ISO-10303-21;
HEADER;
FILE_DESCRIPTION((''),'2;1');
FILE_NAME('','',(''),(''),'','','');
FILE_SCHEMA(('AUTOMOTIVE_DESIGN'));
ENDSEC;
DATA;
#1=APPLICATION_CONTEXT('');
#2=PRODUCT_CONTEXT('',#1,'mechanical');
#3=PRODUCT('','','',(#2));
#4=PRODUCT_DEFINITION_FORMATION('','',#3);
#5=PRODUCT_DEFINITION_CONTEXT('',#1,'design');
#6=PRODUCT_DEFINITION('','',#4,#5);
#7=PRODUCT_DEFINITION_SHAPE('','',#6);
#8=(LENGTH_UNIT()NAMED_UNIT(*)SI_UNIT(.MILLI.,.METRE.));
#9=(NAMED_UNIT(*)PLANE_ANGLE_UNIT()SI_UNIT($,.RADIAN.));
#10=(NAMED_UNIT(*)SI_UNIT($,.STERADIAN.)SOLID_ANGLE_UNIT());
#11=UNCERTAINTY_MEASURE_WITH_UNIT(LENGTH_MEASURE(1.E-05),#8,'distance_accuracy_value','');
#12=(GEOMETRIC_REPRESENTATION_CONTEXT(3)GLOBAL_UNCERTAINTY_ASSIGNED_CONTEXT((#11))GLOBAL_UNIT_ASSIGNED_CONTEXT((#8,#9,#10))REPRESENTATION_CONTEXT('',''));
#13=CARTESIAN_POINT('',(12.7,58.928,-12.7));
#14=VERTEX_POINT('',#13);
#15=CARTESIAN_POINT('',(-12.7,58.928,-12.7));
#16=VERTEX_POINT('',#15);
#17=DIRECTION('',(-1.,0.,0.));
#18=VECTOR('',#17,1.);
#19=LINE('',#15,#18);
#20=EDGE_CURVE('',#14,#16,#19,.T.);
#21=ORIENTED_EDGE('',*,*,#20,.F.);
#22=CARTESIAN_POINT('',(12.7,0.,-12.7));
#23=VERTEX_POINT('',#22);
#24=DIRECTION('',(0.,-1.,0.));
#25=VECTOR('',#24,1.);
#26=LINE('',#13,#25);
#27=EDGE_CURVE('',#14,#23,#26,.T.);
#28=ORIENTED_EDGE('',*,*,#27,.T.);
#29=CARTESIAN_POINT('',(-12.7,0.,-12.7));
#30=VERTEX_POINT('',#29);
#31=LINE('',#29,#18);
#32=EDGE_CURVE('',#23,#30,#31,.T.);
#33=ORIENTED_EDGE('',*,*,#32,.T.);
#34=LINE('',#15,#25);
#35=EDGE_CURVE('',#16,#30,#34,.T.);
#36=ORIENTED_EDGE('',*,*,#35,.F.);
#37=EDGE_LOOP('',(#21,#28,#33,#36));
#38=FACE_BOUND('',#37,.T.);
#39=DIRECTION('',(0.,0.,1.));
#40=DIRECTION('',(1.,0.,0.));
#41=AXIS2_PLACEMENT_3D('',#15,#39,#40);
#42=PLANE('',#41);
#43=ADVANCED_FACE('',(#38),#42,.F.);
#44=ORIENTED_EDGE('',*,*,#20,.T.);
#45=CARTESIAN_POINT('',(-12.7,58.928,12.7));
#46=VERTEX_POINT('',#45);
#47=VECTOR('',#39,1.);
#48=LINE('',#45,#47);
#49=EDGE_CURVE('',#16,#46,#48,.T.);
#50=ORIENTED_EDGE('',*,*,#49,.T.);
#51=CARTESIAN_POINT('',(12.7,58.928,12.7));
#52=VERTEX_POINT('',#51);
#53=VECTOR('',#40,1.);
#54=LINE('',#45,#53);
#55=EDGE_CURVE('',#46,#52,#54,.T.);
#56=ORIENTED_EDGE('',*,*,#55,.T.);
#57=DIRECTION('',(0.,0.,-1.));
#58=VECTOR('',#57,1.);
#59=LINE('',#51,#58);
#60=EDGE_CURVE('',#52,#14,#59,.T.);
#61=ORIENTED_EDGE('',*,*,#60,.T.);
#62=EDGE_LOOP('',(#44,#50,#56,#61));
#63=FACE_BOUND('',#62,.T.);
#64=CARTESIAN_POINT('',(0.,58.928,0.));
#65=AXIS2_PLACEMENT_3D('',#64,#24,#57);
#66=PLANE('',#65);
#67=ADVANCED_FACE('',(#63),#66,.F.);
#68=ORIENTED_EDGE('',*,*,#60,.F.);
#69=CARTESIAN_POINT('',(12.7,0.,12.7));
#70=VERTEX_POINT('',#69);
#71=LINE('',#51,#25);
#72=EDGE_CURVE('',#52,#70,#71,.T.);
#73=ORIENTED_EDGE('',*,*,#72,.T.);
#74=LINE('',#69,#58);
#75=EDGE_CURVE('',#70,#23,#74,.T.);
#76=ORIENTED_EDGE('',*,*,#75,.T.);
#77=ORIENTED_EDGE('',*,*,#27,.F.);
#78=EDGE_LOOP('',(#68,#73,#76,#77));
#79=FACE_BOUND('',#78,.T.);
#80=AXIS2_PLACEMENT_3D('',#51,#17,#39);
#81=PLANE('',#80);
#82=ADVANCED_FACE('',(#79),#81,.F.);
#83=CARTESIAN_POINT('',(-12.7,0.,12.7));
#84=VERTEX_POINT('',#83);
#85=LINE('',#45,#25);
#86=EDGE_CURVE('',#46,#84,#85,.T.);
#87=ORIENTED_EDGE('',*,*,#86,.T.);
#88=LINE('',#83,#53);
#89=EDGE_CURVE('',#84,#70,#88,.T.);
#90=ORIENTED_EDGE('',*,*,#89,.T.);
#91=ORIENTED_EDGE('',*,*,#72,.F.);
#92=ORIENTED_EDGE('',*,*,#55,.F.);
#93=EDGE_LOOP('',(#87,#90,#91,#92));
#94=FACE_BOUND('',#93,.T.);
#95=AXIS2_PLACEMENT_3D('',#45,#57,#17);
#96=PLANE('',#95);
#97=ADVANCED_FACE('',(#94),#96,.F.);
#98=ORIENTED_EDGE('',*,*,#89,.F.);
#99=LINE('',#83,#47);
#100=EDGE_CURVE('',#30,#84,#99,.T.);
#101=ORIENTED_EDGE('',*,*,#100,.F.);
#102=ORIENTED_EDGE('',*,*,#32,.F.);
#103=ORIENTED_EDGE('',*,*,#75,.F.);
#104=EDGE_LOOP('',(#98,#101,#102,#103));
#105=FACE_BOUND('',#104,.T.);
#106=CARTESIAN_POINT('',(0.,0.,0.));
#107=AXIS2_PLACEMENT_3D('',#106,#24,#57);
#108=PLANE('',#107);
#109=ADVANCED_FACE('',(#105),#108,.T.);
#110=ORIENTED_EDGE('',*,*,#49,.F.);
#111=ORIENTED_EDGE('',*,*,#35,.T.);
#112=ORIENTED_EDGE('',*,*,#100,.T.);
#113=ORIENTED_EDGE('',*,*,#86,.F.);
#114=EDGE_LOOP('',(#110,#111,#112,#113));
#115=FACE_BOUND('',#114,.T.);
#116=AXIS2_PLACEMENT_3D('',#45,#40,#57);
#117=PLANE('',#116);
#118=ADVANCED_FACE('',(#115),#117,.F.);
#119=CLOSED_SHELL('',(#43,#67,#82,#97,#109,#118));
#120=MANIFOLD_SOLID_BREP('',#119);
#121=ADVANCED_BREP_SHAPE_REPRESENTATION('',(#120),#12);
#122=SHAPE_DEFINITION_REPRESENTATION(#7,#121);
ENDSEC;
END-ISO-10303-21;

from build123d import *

# Parameters (mm, degrees)
SKETCH1_W           = 25.4
SKETCH1_H           = 25.4
BOSS_EXTRUDE1_DEPTH = 58.928


with BuildPart() as part:
    # Sketch1 → Boss-Extrude1 (new body)
    with BuildSketch(Plane(origin=(0, 0, 0), x_dir=(1, 0, 0), z_dir=(0, 1, 0))):
        Rectangle(SKETCH1_W, SKETCH1_H)
    extrude(amount=BOSS_EXTRUDE1_DEPTH)


solid = part.part
